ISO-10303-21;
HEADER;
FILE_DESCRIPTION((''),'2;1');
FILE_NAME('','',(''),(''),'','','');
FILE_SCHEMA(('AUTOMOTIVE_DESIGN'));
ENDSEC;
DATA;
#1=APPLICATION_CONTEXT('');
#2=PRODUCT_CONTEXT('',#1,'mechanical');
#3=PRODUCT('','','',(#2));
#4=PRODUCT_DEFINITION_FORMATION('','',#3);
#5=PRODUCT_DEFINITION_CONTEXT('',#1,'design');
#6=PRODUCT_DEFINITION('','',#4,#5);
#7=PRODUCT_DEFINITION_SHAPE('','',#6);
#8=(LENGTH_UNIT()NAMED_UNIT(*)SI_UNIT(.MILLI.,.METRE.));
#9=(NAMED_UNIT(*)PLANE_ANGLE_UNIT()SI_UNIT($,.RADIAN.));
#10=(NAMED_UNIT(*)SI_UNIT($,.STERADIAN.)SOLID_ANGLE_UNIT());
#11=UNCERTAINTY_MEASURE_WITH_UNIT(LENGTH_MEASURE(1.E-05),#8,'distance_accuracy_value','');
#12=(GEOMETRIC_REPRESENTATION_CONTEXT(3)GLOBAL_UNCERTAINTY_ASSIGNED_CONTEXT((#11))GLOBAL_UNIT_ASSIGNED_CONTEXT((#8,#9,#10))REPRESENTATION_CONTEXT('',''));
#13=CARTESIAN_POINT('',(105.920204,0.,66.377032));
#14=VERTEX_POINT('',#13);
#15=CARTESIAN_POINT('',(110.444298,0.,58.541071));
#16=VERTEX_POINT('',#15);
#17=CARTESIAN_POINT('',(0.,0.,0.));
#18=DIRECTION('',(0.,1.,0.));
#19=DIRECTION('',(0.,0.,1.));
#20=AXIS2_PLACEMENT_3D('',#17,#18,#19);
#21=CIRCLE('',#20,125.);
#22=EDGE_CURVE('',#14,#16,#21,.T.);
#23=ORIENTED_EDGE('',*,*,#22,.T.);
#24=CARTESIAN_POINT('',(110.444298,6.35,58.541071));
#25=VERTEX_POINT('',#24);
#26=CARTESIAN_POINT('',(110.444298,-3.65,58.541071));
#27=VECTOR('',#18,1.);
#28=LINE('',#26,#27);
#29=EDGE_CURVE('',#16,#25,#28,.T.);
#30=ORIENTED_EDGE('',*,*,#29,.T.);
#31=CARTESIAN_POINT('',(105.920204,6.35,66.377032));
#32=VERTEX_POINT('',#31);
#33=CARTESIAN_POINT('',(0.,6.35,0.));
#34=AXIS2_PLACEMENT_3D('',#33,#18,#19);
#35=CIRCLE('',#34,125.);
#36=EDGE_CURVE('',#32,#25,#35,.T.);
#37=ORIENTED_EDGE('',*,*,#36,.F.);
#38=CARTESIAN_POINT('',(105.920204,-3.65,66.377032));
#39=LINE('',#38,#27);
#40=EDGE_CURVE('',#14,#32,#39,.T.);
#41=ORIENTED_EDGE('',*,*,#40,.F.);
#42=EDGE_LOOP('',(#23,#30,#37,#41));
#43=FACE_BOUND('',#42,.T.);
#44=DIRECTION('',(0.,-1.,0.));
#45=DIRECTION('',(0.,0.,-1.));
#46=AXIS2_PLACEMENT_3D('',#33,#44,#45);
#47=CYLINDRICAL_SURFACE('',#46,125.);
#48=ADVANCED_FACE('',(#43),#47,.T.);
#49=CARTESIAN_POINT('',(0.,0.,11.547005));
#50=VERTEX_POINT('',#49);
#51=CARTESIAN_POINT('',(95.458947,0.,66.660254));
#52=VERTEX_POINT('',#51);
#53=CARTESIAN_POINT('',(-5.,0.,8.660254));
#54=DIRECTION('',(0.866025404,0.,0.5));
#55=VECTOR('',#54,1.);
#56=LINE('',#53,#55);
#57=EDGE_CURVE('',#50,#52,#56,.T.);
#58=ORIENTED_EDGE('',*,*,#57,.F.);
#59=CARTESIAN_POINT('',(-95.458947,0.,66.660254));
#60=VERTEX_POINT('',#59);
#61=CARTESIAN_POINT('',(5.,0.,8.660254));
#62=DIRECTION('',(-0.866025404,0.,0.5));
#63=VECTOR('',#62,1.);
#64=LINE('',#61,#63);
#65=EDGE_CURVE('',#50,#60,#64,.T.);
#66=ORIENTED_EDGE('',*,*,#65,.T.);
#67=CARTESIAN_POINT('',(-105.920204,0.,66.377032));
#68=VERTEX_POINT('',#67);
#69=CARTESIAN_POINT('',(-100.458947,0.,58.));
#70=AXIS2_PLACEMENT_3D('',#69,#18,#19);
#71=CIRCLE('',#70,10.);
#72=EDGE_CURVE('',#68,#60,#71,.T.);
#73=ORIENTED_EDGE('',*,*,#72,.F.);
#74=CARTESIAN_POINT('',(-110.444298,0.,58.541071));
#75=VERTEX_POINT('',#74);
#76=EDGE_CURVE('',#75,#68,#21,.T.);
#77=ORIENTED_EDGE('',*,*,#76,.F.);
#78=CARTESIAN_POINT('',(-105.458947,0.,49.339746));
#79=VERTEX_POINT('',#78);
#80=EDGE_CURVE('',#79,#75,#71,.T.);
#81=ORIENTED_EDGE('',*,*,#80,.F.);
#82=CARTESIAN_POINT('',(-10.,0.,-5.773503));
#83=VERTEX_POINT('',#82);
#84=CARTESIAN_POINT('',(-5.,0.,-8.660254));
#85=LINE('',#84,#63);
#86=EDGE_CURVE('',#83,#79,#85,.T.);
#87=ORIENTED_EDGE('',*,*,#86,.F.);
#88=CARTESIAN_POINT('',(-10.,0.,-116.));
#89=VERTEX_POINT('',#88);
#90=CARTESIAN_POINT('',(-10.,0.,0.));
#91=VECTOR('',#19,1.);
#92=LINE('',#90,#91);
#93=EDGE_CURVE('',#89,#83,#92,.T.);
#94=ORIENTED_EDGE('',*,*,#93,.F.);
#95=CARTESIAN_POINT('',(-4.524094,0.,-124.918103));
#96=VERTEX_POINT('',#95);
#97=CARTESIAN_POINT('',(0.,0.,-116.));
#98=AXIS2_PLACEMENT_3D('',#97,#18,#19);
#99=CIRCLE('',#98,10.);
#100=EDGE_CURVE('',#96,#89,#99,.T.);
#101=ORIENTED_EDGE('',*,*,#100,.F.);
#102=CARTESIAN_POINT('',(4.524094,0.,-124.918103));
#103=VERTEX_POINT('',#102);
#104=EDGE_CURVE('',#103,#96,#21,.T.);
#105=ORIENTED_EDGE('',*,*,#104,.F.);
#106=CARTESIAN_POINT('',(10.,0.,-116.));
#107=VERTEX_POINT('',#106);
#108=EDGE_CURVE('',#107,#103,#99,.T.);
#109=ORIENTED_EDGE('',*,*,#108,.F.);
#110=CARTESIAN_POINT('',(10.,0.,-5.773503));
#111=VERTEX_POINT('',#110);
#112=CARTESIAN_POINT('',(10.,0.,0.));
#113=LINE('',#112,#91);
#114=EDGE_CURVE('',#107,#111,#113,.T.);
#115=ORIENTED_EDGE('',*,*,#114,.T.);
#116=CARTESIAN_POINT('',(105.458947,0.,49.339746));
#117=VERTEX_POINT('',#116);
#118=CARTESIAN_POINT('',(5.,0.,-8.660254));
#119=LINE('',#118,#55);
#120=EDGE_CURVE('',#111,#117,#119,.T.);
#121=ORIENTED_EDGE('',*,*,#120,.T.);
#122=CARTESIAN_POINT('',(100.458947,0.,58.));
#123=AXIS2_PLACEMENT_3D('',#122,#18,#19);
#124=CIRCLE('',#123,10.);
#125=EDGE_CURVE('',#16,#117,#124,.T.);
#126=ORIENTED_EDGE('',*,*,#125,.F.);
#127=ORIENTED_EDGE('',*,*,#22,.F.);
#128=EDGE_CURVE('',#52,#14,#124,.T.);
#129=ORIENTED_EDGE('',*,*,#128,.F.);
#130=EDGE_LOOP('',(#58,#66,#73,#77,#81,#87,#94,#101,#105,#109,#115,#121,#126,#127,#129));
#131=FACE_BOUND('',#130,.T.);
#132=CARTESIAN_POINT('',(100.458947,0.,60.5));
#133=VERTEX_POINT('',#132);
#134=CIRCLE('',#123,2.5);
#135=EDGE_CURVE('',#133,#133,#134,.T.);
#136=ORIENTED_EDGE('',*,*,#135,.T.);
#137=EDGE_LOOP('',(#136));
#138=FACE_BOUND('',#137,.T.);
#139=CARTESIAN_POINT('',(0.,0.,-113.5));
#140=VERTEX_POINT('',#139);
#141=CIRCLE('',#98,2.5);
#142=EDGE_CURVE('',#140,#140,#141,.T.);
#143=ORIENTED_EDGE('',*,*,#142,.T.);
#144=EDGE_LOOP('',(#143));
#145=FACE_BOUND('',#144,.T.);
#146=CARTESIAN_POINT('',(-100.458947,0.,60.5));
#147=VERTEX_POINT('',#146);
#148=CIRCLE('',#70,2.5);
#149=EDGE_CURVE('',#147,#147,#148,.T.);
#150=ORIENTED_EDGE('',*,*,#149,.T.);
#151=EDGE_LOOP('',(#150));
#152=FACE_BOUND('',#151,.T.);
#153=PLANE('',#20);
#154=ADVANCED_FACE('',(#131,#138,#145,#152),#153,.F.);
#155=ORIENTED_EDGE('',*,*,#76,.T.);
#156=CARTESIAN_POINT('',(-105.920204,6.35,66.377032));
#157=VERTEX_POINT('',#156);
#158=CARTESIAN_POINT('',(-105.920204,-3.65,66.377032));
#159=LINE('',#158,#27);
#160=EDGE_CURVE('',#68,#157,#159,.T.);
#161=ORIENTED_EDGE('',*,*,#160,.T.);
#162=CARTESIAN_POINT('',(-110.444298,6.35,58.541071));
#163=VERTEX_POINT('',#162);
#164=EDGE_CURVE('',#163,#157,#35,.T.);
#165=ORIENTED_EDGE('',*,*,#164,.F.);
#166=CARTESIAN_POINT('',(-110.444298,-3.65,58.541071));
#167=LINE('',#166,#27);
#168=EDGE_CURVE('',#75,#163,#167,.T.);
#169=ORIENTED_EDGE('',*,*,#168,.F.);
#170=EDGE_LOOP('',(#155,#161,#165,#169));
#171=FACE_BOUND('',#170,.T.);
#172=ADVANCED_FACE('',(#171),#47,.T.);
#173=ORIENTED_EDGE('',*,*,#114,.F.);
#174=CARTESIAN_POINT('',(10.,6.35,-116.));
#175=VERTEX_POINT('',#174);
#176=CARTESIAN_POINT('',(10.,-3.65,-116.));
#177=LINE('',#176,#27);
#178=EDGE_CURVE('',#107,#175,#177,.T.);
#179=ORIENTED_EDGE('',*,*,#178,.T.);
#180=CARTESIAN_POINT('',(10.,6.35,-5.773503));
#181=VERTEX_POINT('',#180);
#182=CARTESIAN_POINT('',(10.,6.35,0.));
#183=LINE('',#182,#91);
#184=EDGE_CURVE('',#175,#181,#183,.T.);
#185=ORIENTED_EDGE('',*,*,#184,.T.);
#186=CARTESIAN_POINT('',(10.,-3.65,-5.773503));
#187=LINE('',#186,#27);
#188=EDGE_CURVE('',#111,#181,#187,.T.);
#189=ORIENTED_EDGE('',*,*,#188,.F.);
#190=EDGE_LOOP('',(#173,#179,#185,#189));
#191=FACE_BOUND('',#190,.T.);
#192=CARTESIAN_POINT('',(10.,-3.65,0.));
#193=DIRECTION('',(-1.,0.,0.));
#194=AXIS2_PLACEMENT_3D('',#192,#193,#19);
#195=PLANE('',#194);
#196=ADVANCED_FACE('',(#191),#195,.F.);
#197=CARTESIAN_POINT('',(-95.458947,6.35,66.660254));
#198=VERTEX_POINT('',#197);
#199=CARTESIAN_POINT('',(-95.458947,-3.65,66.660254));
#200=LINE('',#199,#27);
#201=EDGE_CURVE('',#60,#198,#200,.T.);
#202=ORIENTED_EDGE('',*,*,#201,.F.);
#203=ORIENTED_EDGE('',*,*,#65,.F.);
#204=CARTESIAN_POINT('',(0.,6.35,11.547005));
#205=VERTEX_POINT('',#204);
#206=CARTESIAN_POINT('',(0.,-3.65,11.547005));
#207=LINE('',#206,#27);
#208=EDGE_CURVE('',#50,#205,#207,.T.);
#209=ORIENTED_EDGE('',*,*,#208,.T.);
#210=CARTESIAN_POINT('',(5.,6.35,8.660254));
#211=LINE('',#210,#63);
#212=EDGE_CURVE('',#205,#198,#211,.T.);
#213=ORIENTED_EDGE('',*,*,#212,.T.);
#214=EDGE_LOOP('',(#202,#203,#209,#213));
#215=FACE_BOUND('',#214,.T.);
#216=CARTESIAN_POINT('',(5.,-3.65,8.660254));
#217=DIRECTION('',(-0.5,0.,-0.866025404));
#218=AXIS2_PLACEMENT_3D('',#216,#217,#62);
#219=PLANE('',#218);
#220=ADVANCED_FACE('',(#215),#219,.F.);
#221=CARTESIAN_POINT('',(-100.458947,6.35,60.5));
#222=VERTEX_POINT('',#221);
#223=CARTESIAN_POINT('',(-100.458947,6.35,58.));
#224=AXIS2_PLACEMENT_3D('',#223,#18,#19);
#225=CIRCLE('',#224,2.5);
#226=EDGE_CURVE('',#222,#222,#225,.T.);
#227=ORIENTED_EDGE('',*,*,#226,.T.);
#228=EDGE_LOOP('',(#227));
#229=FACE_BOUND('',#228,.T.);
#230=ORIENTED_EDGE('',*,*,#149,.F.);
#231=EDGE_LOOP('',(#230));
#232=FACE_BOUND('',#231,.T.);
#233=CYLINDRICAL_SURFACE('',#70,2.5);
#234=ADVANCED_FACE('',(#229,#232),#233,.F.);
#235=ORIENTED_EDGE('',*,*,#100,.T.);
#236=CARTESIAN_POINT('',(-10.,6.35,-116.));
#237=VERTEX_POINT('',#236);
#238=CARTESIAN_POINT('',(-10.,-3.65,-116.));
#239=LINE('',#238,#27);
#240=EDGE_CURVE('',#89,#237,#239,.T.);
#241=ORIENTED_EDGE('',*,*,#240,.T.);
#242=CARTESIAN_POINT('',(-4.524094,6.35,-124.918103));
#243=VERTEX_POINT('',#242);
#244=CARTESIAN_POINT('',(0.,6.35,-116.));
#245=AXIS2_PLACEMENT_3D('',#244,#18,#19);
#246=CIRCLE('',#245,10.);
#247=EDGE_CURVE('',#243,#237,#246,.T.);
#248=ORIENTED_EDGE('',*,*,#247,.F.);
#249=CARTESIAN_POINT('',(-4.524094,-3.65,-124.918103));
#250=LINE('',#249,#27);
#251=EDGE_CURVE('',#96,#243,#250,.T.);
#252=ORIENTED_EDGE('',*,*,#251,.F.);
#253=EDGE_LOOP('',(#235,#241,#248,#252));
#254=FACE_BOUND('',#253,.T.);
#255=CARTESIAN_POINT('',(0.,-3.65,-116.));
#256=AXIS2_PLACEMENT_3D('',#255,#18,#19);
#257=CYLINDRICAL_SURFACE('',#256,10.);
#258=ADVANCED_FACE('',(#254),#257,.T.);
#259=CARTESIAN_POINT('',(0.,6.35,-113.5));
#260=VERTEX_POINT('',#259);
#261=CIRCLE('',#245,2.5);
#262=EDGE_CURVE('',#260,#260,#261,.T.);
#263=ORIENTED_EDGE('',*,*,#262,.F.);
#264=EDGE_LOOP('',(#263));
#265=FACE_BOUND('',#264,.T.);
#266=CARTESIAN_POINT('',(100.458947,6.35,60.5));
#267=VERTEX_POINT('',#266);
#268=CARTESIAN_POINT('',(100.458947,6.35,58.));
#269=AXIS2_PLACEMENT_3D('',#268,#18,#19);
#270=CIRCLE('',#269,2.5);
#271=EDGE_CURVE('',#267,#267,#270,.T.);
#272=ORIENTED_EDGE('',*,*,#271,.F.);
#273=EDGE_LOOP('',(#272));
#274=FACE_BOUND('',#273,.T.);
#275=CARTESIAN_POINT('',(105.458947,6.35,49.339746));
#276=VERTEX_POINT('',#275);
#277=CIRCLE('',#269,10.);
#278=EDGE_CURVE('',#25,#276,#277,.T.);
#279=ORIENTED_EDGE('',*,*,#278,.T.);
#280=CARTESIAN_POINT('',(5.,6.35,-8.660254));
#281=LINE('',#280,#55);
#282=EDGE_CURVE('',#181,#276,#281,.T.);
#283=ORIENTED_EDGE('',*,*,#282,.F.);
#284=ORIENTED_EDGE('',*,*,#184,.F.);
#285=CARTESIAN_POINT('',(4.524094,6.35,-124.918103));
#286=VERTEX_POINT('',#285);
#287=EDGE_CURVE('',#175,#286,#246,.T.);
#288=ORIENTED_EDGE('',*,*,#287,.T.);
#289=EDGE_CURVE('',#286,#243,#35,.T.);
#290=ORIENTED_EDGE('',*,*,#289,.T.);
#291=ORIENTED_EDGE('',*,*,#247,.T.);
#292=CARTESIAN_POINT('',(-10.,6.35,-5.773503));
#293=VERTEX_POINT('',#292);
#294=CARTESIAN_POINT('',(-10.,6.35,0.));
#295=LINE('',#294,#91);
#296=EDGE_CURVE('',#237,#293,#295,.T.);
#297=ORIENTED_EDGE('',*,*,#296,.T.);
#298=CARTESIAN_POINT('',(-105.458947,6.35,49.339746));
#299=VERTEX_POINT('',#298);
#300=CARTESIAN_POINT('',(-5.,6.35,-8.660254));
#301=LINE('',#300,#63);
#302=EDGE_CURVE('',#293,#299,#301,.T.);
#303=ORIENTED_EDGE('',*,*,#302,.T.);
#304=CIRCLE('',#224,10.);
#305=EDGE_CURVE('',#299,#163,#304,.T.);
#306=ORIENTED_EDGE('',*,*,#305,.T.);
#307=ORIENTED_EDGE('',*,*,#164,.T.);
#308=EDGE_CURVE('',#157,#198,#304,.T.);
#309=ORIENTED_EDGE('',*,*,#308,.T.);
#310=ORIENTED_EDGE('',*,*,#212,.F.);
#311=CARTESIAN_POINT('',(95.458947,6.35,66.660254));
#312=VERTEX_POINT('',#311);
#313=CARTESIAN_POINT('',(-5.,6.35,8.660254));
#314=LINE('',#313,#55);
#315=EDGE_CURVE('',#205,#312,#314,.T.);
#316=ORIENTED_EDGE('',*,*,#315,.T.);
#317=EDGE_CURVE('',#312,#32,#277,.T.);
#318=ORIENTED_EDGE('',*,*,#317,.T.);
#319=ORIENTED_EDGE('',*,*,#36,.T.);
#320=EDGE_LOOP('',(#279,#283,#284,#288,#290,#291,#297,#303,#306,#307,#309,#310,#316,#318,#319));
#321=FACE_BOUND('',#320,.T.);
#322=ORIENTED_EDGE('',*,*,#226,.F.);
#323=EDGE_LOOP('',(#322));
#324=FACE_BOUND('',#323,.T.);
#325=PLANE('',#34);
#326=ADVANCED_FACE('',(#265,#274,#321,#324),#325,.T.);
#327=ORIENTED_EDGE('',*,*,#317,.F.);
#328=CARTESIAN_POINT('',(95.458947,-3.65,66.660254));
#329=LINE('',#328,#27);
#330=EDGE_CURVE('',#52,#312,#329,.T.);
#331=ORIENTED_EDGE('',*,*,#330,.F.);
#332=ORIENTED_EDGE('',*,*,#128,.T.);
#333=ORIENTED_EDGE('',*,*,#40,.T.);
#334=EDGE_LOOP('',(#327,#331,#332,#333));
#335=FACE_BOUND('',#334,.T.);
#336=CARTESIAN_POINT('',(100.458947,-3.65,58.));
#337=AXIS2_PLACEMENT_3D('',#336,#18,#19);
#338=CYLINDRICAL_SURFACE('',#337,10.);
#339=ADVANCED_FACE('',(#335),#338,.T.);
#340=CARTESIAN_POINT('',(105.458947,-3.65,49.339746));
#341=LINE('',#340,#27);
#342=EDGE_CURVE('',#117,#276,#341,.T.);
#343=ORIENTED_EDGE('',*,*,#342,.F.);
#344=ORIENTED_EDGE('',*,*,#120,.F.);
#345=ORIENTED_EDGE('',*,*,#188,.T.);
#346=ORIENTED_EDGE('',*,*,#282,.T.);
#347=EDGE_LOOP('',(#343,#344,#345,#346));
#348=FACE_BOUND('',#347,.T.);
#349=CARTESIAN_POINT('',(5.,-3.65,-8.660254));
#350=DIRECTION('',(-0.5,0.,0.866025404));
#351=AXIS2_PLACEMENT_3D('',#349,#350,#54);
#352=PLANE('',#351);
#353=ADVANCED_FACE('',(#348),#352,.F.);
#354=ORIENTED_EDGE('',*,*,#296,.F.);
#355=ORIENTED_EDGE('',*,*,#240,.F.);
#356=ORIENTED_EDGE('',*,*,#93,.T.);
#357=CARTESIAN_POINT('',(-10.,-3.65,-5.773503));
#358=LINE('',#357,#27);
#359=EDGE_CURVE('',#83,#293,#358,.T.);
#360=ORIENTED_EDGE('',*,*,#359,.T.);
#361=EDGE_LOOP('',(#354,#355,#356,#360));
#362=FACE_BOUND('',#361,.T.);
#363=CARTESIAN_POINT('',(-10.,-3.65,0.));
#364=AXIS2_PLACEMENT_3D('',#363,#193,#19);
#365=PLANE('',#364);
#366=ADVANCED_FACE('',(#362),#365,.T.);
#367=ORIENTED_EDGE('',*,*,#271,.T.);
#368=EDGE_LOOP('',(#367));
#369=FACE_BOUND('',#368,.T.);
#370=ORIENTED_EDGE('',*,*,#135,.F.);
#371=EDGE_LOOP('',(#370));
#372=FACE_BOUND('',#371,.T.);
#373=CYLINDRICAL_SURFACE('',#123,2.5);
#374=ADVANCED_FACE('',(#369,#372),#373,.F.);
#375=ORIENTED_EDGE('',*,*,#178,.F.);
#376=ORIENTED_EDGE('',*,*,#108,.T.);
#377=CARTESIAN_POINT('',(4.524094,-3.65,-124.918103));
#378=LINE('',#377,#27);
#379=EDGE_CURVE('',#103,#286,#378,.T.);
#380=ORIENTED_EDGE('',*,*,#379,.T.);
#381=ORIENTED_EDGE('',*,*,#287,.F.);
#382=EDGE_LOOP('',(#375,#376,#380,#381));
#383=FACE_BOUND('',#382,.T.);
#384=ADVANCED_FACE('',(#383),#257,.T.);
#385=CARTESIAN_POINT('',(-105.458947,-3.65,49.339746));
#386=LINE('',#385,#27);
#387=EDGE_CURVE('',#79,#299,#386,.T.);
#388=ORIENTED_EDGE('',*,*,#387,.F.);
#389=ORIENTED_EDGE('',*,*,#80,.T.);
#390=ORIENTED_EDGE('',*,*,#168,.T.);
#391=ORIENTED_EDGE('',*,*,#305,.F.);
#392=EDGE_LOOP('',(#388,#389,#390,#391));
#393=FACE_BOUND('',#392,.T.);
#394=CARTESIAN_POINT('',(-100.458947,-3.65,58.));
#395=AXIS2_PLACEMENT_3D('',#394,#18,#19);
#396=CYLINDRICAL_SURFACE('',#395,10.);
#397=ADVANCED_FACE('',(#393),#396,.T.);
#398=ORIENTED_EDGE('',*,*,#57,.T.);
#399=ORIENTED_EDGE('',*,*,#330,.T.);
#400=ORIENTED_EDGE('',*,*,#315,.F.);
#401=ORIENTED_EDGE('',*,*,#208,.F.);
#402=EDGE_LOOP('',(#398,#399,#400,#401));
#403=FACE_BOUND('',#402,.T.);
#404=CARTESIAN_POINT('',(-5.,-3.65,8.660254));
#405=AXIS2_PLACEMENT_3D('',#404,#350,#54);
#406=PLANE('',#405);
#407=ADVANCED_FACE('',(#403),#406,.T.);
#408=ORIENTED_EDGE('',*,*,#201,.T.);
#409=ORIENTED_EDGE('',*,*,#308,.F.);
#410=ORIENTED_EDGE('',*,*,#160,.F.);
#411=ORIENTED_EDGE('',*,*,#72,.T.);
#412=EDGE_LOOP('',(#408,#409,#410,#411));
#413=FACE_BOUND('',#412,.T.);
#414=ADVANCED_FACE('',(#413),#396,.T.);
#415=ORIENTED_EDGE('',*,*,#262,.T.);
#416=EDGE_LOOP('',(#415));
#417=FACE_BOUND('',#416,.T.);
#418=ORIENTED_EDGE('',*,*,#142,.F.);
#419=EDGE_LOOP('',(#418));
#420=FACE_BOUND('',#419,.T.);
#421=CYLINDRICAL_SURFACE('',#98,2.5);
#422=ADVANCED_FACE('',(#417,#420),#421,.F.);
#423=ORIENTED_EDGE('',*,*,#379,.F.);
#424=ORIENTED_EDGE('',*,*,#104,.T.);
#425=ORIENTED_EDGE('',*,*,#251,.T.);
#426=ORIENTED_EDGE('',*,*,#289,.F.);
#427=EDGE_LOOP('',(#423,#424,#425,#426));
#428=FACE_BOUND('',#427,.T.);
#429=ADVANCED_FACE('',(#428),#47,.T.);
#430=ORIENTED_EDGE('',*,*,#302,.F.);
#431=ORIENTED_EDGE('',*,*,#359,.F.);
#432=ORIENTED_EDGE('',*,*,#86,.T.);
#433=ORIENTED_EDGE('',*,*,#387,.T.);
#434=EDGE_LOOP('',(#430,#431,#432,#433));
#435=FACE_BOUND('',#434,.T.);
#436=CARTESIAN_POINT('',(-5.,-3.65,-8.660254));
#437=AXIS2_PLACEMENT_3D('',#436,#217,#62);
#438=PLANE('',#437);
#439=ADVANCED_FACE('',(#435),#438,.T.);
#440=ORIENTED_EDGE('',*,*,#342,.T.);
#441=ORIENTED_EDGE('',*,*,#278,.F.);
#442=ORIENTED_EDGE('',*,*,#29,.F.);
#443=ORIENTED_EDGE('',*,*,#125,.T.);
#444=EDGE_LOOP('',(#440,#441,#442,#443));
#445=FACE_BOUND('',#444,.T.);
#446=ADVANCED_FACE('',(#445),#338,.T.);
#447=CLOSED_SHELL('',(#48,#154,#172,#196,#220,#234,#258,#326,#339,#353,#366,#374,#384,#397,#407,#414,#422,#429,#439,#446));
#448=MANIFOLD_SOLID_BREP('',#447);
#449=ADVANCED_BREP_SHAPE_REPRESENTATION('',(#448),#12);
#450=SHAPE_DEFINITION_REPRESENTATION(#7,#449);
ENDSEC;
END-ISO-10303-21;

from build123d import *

# Parameters (mm, degrees)
SKETCH1_R           = 125
BOSS_EXTRUDE1_DEPTH = 6.35
SKETCH2_R           = 2.5
CUT_EXTRUDE1_DEPTH  = 177.890707783
CUT_EXTRUDE2_START  = -10
CUT_EXTRUDE2_DEPTH  = 10


with BuildPart() as part:
    # Sketch1 → Boss-Extrude1 (new body)
    with BuildSketch(Plane(origin=(0, 0, 0), x_dir=(1, 0, 0), z_dir=(0, 1, 0))):
        with Locations(Location((0, 0, 0), (0, 0, 270))):
            Circle(SKETCH1_R)
    extrude(amount=BOSS_EXTRUDE1_DEPTH)

    # Sketch2 → Cut-Extrude1 (cut, through all)
    with BuildSketch(Plane(origin=(0, 6.35, 0), x_dir=(1, 0, 0), z_dir=(0, 1, 0))):
        with Locations(Location((0, 116, 0), (0, 0, 270))):
            Circle(SKETCH2_R)
        with Locations(Location((100.458946839, -58, 0), (0, 0, 270))):
            Circle(SKETCH2_R)
        with Locations(Location((-100.458946839, -58, 0), (0, 0, 270))):
            Circle(SKETCH2_R)
    extrude(amount=-CUT_EXTRUDE1_DEPTH, mode=Mode.SUBTRACT)

    # Sketch6 → Cut-Extrude2 (cut)
    with BuildSketch(Plane(origin=(0, 6.35, 0), x_dir=(1, 0, 0), z_dir=(0, 1, 0)).offset(CUT_EXTRUDE2_START)):
        with BuildLine():
            ThreePointArc((-10, 116), (-8.52176463, 121.232545039), (-4.524094482, 124.918103448))
            ThreePointArc((-4.524094482, 124.918103448), (-108.253175473, 62.5), (-110.44429822, -58.541070973))
            ThreePointArc((-110.44429822, -58.541070973), (-109.251346085, -53.236207865), (-105.458946839, -49.339745962))
            Line((-105.458946839, -49.339745962), (-10, 5.773502692))
            Line((-10, 5.773502692), (-10, 116))
        make_face()
        with BuildLine():
            ThreePointArc((4.524094482, 124.918103448), (8.52176463, 121.232545039), (10, 116))
            Line((10, 116), (10, 5.773502692))
            Line((10, 5.773502692), (105.458946839, -49.339745962))
            ThreePointArc((105.458946839, -49.339745962), (109.251346085, -53.236207865), (110.44429822, -58.541070973))
            ThreePointArc((110.44429822, -58.541070973), (121.306506993, -30.161753285), (125, 0))
            ThreePointArc((125, 0), (89.973640057, 86.774098064), (4.524094482, 124.918103448))
        make_face()
        with BuildLine():
            Line((95.458946839, -66.660254038), (0, -11.547005384))
            Line((0, -11.547005384), (-95.458946839, -66.660254038))
            ThreePointArc((-95.458946839, -66.660254038), (-100.729581454, -67.996337174), (-105.920203738, -66.377032475))
            ThreePointArc((-105.920203738, -66.377032475), (0, -125), (105.920203738, -66.377032475))
            ThreePointArc((105.920203738, -66.377032475), (100.729581454, -67.996337174), (95.458946839, -66.660254038))
        make_face()
    extrude(amount=CUT_EXTRUDE2_DEPTH, mode=Mode.SUBTRACT)


solid = part.part
